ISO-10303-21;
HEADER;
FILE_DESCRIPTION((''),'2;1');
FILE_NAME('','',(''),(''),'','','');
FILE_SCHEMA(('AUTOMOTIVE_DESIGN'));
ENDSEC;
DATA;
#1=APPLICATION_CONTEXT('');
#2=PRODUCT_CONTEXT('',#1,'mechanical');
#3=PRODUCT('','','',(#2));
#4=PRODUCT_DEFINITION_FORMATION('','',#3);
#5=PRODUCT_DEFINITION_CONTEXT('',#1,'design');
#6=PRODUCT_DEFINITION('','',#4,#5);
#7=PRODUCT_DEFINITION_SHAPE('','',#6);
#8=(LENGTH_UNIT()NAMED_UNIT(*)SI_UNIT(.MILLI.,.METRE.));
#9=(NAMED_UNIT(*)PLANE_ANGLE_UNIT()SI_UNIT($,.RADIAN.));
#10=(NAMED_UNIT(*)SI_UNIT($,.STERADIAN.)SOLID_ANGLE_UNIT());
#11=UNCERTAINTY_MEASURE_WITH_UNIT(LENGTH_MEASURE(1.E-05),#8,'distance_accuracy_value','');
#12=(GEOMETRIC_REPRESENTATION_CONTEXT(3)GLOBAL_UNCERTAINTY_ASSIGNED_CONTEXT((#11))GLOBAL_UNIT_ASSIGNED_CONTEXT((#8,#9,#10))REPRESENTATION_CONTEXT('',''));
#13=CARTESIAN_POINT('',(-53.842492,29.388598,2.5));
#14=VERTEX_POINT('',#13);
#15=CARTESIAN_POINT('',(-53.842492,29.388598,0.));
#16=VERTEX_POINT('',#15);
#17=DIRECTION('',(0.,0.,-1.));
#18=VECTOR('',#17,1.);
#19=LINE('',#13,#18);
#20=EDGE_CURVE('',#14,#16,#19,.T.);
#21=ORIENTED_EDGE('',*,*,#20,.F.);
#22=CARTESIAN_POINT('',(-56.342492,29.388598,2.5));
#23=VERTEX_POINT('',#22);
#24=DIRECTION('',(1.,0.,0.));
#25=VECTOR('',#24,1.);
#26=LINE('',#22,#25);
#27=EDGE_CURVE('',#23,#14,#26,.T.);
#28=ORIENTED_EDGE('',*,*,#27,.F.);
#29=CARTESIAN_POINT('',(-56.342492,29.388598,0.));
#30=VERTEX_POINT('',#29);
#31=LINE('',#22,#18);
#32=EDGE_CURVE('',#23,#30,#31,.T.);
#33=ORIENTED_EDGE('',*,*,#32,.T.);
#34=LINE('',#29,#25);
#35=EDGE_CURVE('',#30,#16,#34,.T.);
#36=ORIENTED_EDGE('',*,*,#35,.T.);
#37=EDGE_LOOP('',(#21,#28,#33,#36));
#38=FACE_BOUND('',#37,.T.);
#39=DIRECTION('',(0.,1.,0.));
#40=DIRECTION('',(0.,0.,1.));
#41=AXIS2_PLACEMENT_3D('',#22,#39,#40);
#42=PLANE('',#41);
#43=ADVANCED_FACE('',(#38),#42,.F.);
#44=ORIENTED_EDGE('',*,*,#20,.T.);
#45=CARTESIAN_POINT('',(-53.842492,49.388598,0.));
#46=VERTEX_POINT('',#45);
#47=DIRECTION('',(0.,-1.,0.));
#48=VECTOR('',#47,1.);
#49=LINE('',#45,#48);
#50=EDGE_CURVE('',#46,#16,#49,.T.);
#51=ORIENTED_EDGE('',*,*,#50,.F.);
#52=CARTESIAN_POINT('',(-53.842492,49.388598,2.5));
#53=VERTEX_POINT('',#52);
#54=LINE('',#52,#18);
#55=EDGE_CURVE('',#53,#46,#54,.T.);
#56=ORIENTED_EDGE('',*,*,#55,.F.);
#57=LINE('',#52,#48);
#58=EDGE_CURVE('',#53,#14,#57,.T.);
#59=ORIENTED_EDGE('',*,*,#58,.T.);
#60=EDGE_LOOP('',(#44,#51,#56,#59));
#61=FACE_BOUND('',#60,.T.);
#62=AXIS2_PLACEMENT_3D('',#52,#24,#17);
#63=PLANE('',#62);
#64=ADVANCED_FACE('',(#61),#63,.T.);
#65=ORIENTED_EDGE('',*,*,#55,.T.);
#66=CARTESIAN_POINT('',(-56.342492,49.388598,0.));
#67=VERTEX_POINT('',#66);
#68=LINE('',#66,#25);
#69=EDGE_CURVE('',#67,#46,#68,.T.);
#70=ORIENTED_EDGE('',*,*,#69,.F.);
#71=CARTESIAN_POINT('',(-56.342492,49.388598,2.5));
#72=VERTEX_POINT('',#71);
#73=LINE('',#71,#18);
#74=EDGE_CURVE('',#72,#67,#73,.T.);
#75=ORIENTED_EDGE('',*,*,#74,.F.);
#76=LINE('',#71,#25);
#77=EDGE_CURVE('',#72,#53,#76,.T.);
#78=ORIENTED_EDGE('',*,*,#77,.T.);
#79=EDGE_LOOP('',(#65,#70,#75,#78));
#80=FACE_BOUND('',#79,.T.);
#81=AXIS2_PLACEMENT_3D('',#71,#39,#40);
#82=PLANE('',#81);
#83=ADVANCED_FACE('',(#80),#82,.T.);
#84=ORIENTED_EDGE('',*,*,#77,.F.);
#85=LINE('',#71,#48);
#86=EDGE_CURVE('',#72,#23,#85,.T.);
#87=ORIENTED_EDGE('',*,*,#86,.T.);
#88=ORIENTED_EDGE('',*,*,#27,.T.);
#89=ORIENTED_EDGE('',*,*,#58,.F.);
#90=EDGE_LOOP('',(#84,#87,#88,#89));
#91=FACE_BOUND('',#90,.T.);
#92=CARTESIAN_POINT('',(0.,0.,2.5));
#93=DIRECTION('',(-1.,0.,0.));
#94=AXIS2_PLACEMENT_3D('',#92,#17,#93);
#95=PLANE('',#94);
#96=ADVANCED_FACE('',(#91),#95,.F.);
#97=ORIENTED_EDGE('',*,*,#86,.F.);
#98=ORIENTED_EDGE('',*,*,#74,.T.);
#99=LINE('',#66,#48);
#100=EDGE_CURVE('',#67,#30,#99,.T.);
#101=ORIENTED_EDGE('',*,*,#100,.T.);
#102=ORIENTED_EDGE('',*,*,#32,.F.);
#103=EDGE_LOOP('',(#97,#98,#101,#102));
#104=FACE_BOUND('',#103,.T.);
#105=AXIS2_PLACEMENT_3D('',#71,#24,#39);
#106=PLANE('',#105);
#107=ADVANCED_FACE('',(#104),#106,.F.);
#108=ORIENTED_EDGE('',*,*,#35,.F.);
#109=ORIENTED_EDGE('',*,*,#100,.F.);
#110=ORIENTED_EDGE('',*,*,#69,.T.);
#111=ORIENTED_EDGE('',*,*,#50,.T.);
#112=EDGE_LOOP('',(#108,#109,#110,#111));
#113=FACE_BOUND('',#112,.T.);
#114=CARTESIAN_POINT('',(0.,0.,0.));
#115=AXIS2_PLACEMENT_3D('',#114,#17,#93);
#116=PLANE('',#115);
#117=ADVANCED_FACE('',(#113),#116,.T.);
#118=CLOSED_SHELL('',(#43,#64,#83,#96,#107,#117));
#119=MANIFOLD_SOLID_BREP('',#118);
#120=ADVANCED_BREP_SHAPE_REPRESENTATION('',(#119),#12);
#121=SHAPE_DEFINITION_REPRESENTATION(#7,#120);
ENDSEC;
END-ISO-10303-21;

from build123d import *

# Parameters (mm, degrees)
SKETCH_1_W      = 2.5
SKETCH_1_H      = 20
EXTRUDE_5_DEPTH = 2.5


with BuildPart() as part:
    # 草图1 → 凸台-拉伸5 (new body)
    with BuildSketch(Plane.XY):
        with Locations((-55.092492076, 39.3885979)):
            Rectangle(SKETCH_1_W, SKETCH_1_H)
    extrude(amount=EXTRUDE_5_DEPTH)


solid = part.part
